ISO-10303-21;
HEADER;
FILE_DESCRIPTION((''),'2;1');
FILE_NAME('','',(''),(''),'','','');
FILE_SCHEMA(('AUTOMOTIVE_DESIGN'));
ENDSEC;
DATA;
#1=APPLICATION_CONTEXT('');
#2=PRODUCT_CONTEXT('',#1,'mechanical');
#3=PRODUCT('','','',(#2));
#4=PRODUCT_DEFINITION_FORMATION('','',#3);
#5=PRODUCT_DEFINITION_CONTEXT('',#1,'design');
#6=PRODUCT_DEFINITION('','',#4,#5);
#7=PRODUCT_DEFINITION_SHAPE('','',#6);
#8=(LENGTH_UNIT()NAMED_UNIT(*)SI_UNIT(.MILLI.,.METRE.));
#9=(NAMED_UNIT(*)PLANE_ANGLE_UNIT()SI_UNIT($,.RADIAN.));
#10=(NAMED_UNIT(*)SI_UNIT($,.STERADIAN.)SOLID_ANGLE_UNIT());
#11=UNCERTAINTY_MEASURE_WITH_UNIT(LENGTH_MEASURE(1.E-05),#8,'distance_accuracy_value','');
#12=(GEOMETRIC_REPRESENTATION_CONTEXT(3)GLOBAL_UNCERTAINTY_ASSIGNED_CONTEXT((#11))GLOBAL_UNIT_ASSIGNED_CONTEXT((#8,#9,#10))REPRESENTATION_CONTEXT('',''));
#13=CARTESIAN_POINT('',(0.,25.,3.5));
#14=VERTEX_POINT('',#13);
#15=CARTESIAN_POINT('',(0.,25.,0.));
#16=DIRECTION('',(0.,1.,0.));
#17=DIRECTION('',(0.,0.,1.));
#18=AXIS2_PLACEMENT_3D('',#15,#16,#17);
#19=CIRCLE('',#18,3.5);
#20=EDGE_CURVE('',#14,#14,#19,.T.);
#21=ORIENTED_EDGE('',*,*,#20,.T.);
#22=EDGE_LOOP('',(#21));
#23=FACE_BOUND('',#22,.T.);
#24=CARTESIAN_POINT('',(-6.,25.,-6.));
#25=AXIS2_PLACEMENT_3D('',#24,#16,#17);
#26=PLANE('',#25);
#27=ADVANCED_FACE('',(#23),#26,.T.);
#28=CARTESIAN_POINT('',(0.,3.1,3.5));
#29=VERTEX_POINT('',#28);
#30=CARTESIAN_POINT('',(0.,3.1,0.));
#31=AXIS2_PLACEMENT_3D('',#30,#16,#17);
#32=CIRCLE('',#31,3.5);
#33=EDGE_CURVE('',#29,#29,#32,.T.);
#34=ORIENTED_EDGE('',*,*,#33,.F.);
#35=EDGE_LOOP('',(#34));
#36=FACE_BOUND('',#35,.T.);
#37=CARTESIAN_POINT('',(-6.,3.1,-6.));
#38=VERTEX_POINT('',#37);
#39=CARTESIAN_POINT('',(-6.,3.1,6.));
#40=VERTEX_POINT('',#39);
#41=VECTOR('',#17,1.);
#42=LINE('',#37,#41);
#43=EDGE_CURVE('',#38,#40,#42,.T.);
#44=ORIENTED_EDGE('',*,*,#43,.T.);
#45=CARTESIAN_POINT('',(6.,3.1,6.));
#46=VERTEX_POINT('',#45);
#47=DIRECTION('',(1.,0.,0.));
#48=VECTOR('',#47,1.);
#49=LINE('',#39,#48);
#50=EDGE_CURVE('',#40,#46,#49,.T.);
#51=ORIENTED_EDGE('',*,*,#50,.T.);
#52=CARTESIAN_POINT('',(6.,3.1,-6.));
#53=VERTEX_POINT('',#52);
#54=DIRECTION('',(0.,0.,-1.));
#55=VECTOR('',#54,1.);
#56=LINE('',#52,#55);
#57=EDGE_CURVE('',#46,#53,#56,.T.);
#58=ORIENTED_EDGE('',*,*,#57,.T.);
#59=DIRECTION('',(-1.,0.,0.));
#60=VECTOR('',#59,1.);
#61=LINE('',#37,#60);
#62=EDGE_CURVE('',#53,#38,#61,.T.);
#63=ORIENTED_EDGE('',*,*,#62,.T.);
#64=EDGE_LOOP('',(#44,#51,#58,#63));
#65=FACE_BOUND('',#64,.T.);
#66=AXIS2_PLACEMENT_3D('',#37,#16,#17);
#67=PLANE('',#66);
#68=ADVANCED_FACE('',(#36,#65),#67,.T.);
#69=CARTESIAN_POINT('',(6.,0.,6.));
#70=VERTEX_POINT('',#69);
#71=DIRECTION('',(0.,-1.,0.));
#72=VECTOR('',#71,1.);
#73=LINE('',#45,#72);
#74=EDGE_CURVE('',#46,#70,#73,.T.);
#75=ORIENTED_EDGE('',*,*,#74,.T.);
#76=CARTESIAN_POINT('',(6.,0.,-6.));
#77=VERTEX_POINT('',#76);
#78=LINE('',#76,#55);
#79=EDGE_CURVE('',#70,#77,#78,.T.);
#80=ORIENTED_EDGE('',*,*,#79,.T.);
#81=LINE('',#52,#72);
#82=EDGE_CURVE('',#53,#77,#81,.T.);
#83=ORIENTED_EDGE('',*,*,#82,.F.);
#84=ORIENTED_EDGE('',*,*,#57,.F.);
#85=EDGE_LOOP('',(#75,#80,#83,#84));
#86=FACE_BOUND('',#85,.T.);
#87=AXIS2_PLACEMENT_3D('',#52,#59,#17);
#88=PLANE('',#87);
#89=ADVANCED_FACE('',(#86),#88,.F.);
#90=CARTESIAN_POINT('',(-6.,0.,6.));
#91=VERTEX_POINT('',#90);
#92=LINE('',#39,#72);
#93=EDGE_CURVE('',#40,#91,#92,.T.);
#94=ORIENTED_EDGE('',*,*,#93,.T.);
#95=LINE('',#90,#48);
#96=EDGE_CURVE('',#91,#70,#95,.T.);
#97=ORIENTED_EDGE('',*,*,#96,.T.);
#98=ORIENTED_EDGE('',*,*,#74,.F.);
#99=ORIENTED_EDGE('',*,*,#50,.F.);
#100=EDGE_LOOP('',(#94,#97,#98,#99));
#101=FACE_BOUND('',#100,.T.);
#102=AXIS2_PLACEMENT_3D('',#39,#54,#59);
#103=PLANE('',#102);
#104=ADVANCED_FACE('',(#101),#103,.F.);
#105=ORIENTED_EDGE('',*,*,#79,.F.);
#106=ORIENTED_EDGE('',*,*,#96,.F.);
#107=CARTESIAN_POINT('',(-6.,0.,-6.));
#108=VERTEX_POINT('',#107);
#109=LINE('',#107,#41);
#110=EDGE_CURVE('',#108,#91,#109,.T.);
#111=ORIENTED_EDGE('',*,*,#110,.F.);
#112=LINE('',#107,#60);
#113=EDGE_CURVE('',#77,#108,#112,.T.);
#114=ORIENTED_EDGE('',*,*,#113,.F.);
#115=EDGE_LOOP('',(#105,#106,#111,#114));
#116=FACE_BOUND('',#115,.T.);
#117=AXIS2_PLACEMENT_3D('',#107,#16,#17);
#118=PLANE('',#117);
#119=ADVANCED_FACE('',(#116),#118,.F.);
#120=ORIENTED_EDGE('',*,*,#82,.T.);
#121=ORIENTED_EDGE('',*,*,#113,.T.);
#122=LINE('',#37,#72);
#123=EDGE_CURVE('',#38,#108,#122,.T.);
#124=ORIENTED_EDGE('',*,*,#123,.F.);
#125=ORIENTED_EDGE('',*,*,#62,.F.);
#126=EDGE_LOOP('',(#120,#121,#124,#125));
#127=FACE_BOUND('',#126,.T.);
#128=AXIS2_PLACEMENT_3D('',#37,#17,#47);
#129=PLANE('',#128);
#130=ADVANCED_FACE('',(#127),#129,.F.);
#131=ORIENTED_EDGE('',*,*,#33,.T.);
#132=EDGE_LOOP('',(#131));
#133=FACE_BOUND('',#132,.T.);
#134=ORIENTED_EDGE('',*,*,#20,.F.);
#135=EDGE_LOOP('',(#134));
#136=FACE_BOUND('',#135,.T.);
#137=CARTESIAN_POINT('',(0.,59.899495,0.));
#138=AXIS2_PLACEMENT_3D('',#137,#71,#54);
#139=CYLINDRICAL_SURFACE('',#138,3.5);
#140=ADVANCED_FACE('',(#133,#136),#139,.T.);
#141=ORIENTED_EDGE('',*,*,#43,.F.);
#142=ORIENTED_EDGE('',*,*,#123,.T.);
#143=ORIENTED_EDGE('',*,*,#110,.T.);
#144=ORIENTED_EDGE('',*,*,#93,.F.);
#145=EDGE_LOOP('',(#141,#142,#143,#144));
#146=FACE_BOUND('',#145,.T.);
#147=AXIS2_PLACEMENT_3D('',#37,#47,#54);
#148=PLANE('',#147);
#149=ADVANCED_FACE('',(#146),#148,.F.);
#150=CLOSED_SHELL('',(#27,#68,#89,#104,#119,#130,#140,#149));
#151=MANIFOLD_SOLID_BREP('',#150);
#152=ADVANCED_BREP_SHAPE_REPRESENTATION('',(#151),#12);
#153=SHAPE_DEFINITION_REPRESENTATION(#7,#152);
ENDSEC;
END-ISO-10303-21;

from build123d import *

# Parameters (mm, degrees)
SKETCH_1_W      = 12
SKETCH_1_H      = 12
EXTRUDE_1_DEPTH = 3.1
SKETCH_2_R      = 3.5
EXTRUDE_2_DEPTH = 21.9


with BuildPart() as part:
    # 草图1 → 拉伸1 (new body)
    with BuildSketch(Plane(origin=(0, 0, 0), x_dir=(1, 0, 0), z_dir=(0, 1, 0))):
        Rectangle(SKETCH_1_W, SKETCH_1_H)
    extrude(amount=EXTRUDE_1_DEPTH)

    # 草图2 → 拉伸2 (add)
    with BuildSketch(Plane(origin=(0, 3.1, 0), x_dir=(-1, 0, 0), z_dir=(0, 1, 0))):
        with Locations(Location((0, 0, 0), (0, 0, 90))):
            Circle(SKETCH_2_R)
    extrude(amount=EXTRUDE_2_DEPTH)


solid = part.part
